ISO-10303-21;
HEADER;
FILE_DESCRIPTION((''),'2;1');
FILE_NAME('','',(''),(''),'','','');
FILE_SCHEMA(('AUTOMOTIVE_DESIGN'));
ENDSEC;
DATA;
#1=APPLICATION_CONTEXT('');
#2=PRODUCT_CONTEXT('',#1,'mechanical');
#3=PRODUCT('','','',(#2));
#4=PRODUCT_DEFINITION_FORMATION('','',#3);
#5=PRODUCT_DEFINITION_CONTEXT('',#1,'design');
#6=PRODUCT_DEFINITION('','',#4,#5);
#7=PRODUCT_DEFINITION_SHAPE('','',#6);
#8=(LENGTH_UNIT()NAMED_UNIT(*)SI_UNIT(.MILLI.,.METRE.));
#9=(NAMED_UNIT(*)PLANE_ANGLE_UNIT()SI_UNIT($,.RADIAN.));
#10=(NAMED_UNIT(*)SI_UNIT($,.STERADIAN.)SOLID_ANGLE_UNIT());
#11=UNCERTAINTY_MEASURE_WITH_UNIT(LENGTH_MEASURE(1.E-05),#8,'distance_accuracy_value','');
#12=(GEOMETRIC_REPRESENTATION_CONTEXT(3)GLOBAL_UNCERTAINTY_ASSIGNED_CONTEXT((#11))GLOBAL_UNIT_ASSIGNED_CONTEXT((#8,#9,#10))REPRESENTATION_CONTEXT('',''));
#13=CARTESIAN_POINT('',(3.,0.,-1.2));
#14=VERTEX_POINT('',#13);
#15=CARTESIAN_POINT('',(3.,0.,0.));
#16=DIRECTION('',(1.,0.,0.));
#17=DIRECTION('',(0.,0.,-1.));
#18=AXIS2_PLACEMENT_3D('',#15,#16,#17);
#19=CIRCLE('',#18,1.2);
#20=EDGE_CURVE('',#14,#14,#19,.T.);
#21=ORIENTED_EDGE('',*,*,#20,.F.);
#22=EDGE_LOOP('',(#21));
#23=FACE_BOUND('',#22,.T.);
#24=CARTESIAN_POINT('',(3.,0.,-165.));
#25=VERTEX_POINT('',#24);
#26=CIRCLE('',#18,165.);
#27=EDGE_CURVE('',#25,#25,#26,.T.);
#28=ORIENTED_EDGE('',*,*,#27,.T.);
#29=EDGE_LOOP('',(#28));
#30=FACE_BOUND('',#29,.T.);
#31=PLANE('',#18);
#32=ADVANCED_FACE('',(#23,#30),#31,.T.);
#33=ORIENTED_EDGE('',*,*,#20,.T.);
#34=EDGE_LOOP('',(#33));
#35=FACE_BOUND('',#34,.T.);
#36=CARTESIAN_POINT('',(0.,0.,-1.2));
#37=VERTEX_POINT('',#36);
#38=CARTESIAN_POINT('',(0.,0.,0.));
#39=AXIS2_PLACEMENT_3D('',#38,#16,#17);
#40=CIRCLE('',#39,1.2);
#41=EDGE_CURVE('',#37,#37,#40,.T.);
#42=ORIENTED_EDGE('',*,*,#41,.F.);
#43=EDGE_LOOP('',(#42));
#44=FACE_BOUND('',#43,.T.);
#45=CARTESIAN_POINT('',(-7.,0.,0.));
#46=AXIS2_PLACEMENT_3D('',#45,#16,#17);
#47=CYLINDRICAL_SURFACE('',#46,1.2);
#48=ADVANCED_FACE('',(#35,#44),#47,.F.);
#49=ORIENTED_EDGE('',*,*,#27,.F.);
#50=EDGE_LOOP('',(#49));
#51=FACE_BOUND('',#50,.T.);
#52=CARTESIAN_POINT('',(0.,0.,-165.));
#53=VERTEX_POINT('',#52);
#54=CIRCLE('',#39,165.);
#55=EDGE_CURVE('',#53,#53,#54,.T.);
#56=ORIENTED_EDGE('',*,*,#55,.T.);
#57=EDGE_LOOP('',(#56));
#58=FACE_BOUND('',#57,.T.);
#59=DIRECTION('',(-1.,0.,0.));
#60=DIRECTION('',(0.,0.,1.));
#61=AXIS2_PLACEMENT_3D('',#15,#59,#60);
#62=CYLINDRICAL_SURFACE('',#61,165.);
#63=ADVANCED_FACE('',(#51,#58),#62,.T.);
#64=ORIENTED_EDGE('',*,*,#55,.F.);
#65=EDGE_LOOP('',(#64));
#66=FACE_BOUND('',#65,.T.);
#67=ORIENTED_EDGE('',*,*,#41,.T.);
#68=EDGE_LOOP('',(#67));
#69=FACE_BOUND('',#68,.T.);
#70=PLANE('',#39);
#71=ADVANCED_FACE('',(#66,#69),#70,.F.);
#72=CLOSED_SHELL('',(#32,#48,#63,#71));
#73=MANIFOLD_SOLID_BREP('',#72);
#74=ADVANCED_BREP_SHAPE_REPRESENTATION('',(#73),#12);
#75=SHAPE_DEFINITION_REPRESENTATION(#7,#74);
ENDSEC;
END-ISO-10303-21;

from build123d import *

# Parameters (mm, degrees)
ESQUISSE2_R             = 165
BOSS_EXTRU_1_DEPTH      = 3
ESQUISSE4_R             = 1.2
ENL_V_MAT_EXTRU_2_DEPTH = 10


with BuildPart() as part:
    # Esquisse2 → Boss.-Extru.1 (new body)
    with BuildSketch(Plane(origin=(0, 0, 0), x_dir=(0, 0, -1), z_dir=(1, 0, 0))):
        Circle(ESQUISSE2_R)
    extrude(amount=BOSS_EXTRU_1_DEPTH)

    # Esquisse4 → Enlèv. mat.-Extru.2 (cut)
    with BuildSketch(Plane(origin=(3, 0, 0), x_dir=(0, 0, -1), z_dir=(1, 0, 0))):
        Circle(ESQUISSE4_R)
    extrude(amount=-ENL_V_MAT_EXTRU_2_DEPTH, mode=Mode.SUBTRACT)


solid = part.part
